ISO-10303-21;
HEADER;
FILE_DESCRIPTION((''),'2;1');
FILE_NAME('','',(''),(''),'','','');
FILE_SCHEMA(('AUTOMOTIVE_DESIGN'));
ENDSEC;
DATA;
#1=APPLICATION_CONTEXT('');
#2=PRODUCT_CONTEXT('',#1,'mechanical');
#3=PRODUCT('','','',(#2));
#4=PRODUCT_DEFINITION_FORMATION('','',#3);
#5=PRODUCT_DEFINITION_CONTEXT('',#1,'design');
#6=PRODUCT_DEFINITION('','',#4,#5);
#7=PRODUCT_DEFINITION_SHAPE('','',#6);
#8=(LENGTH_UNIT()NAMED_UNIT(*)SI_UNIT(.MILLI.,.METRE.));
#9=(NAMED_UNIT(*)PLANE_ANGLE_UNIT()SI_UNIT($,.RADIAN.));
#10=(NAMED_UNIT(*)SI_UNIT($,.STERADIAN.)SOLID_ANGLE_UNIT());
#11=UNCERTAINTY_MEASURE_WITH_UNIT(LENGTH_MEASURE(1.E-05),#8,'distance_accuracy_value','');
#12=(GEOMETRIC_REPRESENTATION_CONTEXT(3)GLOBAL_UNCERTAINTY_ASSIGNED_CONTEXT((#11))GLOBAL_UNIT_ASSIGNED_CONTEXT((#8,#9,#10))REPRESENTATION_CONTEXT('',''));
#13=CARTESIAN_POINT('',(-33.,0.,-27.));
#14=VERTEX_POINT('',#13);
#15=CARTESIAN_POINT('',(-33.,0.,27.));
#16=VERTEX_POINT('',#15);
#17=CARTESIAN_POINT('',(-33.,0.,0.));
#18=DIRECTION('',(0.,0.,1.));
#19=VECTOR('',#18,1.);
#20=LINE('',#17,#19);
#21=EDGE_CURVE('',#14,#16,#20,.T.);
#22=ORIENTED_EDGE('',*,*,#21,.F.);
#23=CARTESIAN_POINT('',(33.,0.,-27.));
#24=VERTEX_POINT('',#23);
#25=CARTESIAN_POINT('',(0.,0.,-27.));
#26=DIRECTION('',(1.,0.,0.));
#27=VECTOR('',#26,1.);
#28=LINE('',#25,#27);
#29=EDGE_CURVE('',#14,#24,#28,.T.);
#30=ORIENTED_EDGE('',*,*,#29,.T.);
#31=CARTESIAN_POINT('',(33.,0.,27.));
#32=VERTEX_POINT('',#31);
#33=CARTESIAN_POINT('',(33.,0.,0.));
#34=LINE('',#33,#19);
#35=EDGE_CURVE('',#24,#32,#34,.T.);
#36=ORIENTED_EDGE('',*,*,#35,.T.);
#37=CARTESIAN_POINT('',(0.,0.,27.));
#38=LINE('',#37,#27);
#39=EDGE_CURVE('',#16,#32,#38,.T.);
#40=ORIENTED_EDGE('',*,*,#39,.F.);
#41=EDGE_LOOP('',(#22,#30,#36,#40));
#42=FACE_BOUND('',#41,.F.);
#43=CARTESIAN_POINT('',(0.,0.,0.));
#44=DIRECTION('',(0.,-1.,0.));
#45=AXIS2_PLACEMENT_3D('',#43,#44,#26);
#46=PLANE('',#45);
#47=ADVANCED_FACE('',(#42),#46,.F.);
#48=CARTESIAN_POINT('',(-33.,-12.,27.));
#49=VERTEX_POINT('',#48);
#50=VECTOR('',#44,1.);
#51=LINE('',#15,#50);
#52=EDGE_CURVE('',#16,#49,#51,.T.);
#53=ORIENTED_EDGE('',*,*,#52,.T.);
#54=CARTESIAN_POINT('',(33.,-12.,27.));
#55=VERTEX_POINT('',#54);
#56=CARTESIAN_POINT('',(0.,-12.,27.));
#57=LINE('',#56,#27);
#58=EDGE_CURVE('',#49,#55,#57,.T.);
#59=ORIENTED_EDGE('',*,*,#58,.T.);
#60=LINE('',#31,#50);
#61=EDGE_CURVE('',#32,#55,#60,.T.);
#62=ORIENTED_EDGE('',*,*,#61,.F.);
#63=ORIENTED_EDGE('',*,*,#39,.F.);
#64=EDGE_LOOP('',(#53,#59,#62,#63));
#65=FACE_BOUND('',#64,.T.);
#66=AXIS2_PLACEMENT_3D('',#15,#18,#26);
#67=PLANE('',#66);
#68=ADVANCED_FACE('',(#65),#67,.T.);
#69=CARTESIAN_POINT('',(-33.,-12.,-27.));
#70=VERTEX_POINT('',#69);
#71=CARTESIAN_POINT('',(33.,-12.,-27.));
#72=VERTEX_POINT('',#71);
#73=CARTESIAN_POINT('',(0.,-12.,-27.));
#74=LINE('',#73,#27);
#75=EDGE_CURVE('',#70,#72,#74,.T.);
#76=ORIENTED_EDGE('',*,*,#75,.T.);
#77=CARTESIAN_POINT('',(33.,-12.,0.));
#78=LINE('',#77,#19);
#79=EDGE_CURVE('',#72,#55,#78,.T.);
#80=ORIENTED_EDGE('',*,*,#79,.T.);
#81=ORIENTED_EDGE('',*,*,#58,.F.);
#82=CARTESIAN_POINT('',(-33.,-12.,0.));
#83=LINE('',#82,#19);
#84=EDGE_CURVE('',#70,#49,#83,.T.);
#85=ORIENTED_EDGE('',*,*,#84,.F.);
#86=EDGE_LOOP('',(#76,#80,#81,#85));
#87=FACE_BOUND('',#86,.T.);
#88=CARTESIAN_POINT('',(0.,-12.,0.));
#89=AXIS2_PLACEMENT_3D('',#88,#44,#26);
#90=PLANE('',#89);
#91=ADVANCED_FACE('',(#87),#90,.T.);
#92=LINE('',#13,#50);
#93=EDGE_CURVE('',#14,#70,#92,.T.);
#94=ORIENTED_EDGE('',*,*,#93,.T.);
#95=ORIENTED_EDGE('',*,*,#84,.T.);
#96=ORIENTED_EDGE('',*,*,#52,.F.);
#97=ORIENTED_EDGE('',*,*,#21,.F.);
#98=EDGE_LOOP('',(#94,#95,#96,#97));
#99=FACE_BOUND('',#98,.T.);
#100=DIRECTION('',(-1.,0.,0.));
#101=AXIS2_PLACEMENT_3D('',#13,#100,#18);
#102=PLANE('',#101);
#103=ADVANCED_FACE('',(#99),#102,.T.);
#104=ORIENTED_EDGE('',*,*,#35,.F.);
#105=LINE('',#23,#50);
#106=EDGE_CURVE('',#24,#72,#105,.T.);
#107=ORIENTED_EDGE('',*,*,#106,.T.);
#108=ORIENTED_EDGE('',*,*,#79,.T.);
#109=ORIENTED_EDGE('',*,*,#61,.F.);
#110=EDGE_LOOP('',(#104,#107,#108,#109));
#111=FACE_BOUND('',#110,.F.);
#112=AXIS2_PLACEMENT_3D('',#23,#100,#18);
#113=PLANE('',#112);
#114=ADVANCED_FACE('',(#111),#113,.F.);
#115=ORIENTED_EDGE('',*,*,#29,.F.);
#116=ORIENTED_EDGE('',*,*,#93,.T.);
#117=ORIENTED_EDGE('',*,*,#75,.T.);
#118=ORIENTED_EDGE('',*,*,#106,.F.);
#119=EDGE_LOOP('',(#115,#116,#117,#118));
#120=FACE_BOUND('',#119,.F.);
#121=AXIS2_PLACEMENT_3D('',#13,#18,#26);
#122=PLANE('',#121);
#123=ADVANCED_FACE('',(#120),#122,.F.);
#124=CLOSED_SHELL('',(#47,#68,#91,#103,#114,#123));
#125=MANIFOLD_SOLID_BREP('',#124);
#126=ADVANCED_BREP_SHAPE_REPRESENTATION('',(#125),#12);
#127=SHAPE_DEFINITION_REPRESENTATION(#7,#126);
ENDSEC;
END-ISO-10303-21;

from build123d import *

# Parameters (mm, degrees)
F0_W      = 210
F0_H      = 54
F1_DEPTH  = 12
F3_W      = 90
F3_H      = 68
F4_DEPTH  = 12
F6_W      = 90
F6_H      = 54
F7_DEPTH  = 12
F9_W      = 66
F9_H      = 54
F10_DEPTH = 12


with BuildPart() as f1:
    # F0 (on Front) → F1 (new body)
    with BuildSketch(Plane.XZ):
        with Locations((3.5633459853, 0)):
            Rectangle(F0_W, F0_H)
    extrude(amount=F1_DEPTH)


with BuildPart() as f4:
    # F3 (on Front) → F4 (new body)
    with BuildSketch(Plane.XZ):
        with Locations((0, -2.5499821276)):
            Rectangle(F3_W, F3_H)
    extrude(amount=F4_DEPTH)


with BuildPart() as f7:
    # F6 (on Front) → F7 (new body)
    with BuildSketch(Plane.XZ):
        Rectangle(F6_W, F6_H)
    extrude(amount=F7_DEPTH)


with BuildPart() as f10:
    # F9 (on Front) → F10 (new body)
    with BuildSketch(Plane.XZ):
        Rectangle(F9_W, F9_H)
    extrude(amount=F10_DEPTH)


solid = f10.part
